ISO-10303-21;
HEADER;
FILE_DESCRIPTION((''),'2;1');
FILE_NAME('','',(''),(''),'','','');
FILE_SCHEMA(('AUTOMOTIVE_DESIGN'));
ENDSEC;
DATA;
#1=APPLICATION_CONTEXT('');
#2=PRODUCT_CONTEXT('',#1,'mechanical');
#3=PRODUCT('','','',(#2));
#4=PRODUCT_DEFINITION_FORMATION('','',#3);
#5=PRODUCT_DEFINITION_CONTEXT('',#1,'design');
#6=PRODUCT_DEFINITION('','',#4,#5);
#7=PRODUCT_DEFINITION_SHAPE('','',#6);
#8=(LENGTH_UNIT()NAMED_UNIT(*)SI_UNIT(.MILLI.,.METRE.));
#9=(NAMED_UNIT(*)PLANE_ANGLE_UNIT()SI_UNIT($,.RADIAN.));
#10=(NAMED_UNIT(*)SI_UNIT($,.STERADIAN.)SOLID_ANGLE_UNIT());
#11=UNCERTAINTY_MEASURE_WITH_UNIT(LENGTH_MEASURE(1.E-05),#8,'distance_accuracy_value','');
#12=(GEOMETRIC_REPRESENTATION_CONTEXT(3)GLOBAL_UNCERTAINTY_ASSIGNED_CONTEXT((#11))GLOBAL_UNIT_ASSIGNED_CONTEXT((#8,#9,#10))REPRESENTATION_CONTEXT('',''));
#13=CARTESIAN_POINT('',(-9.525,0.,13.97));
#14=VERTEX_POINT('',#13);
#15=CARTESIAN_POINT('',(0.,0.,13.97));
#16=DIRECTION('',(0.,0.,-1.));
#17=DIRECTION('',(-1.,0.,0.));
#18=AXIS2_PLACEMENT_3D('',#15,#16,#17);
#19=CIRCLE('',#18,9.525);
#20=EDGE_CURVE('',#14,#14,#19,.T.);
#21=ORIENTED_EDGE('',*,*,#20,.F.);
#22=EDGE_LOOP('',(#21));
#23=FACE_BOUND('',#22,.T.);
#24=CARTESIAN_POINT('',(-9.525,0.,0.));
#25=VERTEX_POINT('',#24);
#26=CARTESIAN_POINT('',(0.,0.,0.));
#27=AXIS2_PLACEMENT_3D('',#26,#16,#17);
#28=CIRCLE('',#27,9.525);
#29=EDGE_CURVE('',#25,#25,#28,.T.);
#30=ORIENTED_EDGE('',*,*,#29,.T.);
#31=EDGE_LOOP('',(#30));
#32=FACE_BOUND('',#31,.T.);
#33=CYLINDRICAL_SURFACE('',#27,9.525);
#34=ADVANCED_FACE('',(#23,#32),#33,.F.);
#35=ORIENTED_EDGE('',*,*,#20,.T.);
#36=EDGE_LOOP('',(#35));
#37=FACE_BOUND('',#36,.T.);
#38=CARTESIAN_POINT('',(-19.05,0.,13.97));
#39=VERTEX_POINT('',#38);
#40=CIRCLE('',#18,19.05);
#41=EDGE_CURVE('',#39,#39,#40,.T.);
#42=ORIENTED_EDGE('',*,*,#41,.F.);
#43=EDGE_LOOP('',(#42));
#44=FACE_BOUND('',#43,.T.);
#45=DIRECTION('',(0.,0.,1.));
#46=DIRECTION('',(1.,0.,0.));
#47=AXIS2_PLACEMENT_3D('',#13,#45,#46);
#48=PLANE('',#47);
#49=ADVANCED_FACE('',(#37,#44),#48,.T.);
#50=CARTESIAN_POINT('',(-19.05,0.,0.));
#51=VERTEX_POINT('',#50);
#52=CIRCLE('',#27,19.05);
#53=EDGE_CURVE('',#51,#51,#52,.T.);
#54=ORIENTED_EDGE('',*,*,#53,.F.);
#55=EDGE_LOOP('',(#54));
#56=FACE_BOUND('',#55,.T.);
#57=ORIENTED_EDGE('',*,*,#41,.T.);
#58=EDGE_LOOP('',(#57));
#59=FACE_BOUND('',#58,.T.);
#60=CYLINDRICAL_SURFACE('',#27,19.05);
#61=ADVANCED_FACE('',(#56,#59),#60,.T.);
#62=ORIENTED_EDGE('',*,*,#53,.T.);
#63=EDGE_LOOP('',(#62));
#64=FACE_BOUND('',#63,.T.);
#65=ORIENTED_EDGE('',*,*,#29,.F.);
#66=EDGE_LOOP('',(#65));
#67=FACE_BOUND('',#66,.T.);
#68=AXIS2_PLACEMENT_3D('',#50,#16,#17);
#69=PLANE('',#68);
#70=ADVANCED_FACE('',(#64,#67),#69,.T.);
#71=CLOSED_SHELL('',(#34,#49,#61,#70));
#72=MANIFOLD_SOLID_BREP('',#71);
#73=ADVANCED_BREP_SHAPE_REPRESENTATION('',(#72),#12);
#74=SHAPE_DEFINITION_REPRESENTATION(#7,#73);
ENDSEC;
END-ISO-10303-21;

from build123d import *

# Parameters (mm, degrees)
SKETCH8_W = 9.525
SKETCH8_H = 13.97


with BuildPart() as part:
    # Sketch8 → Revolve3 (revolve)
    with BuildSketch(Plane(origin=(0, 0, 0), x_dir=(1, 0, 0), z_dir=(0, 1, 0))):
        with Locations((-14.2875, -6.985)):
            Rectangle(SKETCH8_W, SKETCH8_H)
    revolve(axis=Axis((0, 0, 0), (0, 0, 1)))


solid = part.part
